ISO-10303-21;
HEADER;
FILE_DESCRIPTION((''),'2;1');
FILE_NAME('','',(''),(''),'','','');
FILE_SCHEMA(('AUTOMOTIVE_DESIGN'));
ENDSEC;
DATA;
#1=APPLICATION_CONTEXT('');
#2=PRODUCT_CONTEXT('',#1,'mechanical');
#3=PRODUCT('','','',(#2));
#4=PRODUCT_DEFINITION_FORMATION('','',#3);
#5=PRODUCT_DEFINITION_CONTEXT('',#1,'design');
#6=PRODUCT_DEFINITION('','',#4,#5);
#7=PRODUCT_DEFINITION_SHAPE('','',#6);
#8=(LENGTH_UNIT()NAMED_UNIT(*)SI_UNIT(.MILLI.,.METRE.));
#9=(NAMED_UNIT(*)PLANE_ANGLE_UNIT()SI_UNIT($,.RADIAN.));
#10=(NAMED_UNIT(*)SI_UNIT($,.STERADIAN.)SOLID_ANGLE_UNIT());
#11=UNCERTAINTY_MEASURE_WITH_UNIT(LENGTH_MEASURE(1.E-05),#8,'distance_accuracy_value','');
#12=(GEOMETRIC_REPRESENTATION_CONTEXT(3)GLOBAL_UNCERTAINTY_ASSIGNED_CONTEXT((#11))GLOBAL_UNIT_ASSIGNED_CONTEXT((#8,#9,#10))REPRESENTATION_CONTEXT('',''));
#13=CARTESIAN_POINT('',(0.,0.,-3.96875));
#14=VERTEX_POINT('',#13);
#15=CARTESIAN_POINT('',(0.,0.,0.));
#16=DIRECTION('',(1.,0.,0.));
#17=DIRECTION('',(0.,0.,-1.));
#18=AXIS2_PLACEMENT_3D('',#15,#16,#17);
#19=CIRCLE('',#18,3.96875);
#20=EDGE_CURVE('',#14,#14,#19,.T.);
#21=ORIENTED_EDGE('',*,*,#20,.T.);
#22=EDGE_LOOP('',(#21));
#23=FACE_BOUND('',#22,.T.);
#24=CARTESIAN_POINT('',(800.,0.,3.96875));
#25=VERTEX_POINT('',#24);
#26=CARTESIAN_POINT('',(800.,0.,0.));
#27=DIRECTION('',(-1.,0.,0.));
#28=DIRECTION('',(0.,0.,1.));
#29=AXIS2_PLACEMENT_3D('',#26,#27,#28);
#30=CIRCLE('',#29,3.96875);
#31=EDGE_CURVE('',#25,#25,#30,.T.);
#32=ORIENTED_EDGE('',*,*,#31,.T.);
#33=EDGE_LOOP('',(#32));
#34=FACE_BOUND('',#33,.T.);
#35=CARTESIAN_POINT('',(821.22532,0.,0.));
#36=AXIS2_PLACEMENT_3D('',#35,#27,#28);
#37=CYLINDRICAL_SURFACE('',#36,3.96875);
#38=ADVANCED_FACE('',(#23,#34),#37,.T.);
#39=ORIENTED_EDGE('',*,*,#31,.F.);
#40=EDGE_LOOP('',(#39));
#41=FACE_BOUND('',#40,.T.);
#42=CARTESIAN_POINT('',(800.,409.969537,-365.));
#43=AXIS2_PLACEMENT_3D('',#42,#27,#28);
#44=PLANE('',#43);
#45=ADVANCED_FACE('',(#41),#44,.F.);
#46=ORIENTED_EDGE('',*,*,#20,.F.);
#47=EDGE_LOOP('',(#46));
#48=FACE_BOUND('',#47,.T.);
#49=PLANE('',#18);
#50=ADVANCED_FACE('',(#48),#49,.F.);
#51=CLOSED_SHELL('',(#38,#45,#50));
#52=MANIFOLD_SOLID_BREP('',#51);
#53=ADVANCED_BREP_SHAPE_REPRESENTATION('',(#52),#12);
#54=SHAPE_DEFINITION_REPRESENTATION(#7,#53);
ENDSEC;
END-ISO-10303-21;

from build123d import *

# Parameters (mm, degrees)
SKETCH1_R           = 3.96875
BOSS_EXTRUDE1_DEPTH = 800


with BuildPart() as part:
    # Sketch1 → Boss-Extrude1 (new body)
    with BuildSketch(Plane(origin=(0, 0, 0), x_dir=(0, 0, -1), z_dir=(1, 0, 0))):
        with Locations(Location((0, 0, 0), (0, 0, 180))):
            Circle(SKETCH1_R)
    extrude(amount=BOSS_EXTRUDE1_DEPTH)


solid = part.part
